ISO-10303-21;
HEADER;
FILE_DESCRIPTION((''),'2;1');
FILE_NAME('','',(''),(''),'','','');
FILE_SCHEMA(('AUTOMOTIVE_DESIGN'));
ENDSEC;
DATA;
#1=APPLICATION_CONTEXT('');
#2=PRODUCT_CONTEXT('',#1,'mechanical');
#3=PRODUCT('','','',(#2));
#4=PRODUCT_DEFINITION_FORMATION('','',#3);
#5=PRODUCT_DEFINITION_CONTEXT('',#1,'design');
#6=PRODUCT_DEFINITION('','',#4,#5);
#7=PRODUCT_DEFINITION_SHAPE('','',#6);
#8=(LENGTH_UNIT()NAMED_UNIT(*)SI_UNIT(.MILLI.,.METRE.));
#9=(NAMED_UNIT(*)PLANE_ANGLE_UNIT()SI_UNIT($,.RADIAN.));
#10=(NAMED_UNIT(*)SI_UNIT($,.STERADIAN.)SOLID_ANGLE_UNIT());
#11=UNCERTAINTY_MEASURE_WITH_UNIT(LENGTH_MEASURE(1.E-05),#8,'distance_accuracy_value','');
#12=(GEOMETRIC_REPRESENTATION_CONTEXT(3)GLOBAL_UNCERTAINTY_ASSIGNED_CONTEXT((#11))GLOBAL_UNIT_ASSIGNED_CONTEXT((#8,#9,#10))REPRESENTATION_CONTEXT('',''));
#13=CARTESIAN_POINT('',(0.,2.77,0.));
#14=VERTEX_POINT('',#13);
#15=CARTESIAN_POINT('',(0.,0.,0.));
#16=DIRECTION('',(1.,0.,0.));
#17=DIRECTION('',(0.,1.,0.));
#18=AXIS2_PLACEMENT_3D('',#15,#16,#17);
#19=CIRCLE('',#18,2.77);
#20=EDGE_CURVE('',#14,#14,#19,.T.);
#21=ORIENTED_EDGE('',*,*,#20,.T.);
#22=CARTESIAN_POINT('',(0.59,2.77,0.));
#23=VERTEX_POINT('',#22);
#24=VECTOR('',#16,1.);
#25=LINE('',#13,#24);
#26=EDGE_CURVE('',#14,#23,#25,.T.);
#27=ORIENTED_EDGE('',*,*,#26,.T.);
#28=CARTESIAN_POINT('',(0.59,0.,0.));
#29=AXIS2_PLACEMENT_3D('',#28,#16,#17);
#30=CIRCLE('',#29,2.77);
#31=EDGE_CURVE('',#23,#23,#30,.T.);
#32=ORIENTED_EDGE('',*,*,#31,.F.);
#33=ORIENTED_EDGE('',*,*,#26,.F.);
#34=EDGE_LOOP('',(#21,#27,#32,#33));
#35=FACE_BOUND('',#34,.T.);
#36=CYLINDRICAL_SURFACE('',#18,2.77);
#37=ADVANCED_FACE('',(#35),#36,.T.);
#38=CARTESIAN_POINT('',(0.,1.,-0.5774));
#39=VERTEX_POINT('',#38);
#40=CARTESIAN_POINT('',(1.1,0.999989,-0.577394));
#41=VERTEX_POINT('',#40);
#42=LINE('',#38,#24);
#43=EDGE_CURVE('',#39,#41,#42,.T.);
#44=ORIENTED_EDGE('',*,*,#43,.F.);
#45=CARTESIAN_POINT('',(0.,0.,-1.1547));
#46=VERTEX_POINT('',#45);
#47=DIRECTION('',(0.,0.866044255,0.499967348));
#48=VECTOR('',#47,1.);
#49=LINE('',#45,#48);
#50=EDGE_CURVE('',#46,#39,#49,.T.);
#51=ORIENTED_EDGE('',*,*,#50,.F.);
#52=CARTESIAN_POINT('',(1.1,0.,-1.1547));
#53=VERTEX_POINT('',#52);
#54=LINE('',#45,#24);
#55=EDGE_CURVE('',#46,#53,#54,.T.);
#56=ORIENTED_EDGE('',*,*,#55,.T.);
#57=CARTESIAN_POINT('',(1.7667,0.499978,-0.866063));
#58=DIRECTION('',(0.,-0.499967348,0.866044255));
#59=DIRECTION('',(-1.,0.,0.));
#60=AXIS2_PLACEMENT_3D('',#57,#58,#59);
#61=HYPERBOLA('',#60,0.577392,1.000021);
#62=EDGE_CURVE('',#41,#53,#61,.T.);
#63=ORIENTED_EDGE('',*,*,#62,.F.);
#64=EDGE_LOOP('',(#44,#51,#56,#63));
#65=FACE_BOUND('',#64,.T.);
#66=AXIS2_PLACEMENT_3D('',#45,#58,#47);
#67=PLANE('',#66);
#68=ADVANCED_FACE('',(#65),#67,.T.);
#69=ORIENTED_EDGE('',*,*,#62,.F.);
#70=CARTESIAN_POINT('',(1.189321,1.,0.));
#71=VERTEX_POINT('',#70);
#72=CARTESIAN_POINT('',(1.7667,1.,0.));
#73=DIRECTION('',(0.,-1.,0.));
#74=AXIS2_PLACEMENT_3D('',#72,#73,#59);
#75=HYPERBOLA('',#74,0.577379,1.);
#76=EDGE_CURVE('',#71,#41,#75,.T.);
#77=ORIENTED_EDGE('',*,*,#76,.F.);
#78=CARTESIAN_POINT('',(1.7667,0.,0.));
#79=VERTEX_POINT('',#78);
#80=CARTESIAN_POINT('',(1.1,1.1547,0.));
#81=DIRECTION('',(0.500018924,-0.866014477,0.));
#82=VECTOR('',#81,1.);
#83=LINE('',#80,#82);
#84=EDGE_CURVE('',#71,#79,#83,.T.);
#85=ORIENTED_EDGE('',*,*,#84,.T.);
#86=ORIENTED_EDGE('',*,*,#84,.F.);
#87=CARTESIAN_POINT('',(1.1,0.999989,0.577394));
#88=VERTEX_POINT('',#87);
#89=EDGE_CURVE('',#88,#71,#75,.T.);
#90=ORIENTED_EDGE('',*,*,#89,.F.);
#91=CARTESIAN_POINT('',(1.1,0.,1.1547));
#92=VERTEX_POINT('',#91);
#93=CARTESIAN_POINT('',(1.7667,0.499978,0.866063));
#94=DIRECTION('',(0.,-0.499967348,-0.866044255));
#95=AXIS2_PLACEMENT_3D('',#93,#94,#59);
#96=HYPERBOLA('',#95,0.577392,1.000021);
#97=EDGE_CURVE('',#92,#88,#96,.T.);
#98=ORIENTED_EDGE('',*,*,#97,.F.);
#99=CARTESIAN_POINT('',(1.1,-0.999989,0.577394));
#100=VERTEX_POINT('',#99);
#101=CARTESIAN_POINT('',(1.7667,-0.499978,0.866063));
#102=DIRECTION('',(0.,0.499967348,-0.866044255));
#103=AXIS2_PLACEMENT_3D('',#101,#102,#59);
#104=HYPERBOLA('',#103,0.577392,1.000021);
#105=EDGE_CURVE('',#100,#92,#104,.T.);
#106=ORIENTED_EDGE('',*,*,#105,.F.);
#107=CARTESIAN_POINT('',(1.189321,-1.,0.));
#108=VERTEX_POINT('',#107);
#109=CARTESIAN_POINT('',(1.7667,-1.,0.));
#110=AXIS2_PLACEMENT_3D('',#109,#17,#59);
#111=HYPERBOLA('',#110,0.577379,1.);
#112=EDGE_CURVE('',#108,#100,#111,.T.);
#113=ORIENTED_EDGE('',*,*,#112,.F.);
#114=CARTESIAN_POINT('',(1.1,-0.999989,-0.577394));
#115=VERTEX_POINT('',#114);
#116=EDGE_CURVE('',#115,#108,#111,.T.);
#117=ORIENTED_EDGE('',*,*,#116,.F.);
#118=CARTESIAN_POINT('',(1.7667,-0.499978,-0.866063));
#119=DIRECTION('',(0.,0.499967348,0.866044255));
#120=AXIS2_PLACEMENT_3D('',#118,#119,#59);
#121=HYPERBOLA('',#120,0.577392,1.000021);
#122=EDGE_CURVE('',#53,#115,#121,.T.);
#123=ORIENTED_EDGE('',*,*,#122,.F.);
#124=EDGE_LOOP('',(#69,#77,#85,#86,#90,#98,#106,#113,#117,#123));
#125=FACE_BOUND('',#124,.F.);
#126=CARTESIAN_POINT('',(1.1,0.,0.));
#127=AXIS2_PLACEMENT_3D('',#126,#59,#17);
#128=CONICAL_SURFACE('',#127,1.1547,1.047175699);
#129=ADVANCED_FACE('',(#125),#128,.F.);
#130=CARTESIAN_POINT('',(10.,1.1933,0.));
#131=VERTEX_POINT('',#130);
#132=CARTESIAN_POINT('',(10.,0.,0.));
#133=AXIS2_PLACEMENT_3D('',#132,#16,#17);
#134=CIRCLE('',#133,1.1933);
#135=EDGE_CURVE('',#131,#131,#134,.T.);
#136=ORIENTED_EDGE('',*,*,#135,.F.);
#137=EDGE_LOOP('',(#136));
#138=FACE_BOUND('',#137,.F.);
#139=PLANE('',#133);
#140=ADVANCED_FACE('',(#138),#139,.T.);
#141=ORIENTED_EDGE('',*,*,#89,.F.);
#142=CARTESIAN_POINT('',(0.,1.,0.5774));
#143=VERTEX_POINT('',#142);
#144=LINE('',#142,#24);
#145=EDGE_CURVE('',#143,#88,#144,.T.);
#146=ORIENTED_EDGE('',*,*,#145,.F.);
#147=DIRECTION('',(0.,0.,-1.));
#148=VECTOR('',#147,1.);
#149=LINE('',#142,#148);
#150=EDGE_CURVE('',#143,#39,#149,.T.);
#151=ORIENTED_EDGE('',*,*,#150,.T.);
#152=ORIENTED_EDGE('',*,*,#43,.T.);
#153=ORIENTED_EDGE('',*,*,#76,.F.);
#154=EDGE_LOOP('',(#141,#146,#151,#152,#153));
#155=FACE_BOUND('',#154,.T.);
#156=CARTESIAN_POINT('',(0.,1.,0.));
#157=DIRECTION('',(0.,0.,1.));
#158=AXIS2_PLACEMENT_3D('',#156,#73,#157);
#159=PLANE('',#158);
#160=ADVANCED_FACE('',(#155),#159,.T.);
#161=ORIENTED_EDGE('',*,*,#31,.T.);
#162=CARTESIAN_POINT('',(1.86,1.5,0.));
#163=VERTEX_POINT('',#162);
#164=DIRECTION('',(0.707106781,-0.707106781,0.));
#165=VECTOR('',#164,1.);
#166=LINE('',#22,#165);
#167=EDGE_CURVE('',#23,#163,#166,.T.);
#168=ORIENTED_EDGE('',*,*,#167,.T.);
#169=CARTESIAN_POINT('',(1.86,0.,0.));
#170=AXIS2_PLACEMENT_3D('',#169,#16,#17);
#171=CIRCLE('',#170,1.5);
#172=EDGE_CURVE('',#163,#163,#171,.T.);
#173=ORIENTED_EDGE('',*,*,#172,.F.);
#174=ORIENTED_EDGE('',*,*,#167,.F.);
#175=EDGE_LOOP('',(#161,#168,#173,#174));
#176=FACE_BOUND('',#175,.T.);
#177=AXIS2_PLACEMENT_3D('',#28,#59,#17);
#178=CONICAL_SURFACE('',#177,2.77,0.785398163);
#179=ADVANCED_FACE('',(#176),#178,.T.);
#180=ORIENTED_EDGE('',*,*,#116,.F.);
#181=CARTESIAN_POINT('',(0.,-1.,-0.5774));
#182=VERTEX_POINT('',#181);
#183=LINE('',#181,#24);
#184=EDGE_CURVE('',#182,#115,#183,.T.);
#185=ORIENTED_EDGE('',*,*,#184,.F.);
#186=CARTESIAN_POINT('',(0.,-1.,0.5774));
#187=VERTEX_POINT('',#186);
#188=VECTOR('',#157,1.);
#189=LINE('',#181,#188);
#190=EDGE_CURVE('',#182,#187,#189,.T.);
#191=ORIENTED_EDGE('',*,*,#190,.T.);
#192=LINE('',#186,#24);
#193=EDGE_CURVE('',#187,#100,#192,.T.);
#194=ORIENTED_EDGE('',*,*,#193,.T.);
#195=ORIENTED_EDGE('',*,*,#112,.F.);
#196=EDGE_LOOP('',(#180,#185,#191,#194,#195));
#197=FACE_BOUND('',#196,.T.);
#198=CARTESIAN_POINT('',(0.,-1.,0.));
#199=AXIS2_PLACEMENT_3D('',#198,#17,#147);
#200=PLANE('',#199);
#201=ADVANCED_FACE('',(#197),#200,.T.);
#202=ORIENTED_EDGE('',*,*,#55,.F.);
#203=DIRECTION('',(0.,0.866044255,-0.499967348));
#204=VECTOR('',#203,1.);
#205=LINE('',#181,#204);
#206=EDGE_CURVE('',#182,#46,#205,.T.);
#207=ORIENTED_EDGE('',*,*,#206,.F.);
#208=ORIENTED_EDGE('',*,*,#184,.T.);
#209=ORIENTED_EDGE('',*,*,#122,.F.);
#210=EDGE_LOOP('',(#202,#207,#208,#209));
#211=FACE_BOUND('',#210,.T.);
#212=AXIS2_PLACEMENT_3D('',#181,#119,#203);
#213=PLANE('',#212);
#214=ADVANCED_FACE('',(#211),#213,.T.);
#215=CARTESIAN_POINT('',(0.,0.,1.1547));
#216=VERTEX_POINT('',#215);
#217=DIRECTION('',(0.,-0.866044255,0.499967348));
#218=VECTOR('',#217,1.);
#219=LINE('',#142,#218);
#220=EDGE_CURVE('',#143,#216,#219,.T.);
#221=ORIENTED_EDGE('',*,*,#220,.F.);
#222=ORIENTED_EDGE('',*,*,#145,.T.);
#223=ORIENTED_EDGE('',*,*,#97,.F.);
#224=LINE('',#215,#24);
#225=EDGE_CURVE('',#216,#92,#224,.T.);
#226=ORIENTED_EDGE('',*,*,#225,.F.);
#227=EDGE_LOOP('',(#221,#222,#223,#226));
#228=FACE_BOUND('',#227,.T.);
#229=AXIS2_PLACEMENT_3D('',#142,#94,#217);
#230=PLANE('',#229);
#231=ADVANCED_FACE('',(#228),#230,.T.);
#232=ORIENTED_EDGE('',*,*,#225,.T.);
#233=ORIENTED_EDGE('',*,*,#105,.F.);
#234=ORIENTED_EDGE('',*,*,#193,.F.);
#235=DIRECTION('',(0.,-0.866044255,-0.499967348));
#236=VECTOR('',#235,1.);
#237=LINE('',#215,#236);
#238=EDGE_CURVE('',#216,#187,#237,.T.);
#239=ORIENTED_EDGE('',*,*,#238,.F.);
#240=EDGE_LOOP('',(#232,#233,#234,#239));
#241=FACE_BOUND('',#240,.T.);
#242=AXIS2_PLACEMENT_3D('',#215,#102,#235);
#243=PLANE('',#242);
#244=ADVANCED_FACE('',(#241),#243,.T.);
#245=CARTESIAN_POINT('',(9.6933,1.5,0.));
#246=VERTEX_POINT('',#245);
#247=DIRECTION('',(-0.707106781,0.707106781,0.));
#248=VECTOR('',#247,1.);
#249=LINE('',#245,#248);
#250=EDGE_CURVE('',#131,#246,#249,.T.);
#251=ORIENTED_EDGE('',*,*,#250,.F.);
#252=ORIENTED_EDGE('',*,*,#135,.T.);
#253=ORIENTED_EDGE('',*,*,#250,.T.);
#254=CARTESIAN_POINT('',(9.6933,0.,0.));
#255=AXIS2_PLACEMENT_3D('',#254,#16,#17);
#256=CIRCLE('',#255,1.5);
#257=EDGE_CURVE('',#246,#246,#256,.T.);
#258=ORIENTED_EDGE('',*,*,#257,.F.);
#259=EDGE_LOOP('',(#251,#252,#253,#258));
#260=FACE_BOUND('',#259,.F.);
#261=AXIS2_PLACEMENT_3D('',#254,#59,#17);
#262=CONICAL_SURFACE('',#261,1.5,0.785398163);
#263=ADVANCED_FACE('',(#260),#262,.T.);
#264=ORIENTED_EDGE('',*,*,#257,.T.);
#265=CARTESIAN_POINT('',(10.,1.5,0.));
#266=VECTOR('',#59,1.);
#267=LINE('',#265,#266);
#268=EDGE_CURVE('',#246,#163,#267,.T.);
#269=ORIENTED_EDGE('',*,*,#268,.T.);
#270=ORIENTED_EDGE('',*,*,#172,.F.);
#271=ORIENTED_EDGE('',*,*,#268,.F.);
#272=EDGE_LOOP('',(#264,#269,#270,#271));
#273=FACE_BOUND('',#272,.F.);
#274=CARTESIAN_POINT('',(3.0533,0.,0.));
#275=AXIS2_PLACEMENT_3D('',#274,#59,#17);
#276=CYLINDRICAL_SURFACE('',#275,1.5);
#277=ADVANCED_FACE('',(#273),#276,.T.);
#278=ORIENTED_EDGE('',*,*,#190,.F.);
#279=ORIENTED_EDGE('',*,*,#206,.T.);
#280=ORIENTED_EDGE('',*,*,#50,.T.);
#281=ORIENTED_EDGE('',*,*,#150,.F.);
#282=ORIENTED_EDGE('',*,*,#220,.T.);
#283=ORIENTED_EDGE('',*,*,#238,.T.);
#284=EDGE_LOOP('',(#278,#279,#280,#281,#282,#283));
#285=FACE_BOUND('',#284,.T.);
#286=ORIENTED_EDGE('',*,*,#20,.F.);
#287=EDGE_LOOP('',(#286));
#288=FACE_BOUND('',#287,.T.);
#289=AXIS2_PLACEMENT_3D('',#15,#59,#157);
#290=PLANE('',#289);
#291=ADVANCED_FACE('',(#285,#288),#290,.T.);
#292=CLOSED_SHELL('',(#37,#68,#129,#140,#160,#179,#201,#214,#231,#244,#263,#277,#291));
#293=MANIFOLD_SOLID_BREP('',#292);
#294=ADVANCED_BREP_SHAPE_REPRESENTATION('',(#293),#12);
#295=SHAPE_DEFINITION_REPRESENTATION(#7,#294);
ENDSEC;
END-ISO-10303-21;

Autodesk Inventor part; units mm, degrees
ref_plane "YZ Plane" through (0, 0, 0) normal (1, 0, 0) x (0, 1, 0)
ref_plane "XZ Plane" through (0, 0, 0) normal (0, 1, 0) x (-1, 0, 0)
sketch "Sketch1" plane through (0, 0, 0) normal (0, 0, 1) x (1, 0, 0)
  line L0 (10, 0) -> (10, 1.5)
  line L1 (10, 1.5) -> (3.36, 1.5)
  line L2 (3.36, 1.5) -> (3.0533, 1.5)
  line L3 (0, 2.77) -> (0, 1.1547)
  line L4 (0, 1.1547) -> (1.1, 1.1547)
  line L5 (1.1, 1.1547) -> (1.7667, 0)
  line L6 (1.7667, 0) -> (10, 0)
  line L7 (0, 2.77) -> (0.59, 2.77)
  line L8 (0.59, 2.77) -> (1.86, 1.5)
  line L9 (3.0533, 1.5) -> (1.86, 1.5)
  line L10 (3.36, 1.5) -> (1.86, 1.5) construction
  line L11 (1.86, 1.5) -> (1.86, 1.5)
  line L12 (-2, 0) -> (12, 0) projected
  line L13 (0, -0.554) -> (0, 3.324) projected
  dimension "d0" = 10
  dimension "d1" = 6.64
  dimension "d2" = 1.1
  dimension "d3" = 3
  dimension "d6" = 1.86
  dimension "d7" = 45
  dimension "d8" = 2.3094
  dimension "d9" = 60
  dimension "d10" = 5.54
  dimension "d11" = 3
  dimension "d12" = 0.3067
revolve "Body" add sketch "Sketch1" angle 360 about axis through (1.7667, 0, 0) along (1, 0, 0) contours L6 L5 L4 L3 L7 L8 L9 L2 L1 L0
sketch "Sketch2" plane through (0, 0, 0) normal (-1, 0, 0) x (0, 0, 1)
  circle A0 centre (0, 0) radius 1.1547 projected
  line L0 (0, -3.878) -> (0, 3.878) projected
  line L1 (-3.878, 0) -> (3.878, 0) projected
  line L2 (1.1547, 0) -> (0.5774, -1)
  line L3 (0.5774, -1) -> (-0.5774, -1)
  line L4 (-0.5774, -1) -> (-1.1547, 0)
  line L5 (-1.1547, 0) -> (-0.5774, 1)
  line L6 (-0.5774, 1) -> (0.5774, 1)
  line L7 (0.5774, 1) -> (1.1547, 0)
  point P0 (0, 1.1547)
extrude "Slot" add sketch "Sketch2" against normal up to next contours L7 A0 | A0 L2 | L6 L0 A0 | A0 L0 L3 | L0 L6 A0 | A0 L3 L0 | L4 A0 | A0 L5
thread "Thread" size "M3x0.5" class "6g" standard "ISO Metric profile" length 6.64
chamfer "Chamfer1" distance 0.3067 distance2 0.3067 1 edges at (10, -1.5, 0) measured on face at (10, -0.8298, -0.2045)
ref_plane "Work Plane1" through (104.775, 0, 0) normal (0, 0, -1) x (1, 0, 0)
equation "\"d15\" = GEL"
equation "\"d17\" = -0.5 * SPD + 0.5 * GD"
equation "\"d18\" = GUL"
equation "\"d0\" = NLG"
equation "\"d1\" = GEL"
equation "\"d2\" = INTI"
equation "\"d3\" = GD"
equation "\"d6\" = KOH"
equation "\"d7\" = 0.5 * SEWI"
equation "\"d8\" = 1.1547 * SW"
equation "\"d10\" = KOD"
equation "\"d11\" = BDM"
equation "\"d12\" = GAL"
equation "\"NLG\" = 10"
equation "\"INTI\" = 1.1"
equation "\"GEL\" = 6.64"
equation "\"GAL\" = 0.61345 * PTC"
equation "\"KOH\" = 1.86"
equation "\"KOD\" = 5.54"
equation "\"GUL\" = 0.61345 * PTC"
equation "\"SPD\" = NND - 1.2269 * PTC"
equation "\"BDM\" = NND"
equation "\"GD\" = NND"
equation "\"SEWI\" = 90deg"
equation "\"SW\" = 2"
equation "\"TOA\" = 30deg"
equation "\"GD1\" = THREADDIA - 1.2269 * PTC"
equation "\"EPV\" = 3.36"
equation "\"THREADDIA\" = 3"
equation "\"PTC\" = 0.5"
equation "\"NND\" = 3"
equation "\"E0\" = 2.31"
properties part number "ISO 10642  - M3  x  10" material "Steel"
